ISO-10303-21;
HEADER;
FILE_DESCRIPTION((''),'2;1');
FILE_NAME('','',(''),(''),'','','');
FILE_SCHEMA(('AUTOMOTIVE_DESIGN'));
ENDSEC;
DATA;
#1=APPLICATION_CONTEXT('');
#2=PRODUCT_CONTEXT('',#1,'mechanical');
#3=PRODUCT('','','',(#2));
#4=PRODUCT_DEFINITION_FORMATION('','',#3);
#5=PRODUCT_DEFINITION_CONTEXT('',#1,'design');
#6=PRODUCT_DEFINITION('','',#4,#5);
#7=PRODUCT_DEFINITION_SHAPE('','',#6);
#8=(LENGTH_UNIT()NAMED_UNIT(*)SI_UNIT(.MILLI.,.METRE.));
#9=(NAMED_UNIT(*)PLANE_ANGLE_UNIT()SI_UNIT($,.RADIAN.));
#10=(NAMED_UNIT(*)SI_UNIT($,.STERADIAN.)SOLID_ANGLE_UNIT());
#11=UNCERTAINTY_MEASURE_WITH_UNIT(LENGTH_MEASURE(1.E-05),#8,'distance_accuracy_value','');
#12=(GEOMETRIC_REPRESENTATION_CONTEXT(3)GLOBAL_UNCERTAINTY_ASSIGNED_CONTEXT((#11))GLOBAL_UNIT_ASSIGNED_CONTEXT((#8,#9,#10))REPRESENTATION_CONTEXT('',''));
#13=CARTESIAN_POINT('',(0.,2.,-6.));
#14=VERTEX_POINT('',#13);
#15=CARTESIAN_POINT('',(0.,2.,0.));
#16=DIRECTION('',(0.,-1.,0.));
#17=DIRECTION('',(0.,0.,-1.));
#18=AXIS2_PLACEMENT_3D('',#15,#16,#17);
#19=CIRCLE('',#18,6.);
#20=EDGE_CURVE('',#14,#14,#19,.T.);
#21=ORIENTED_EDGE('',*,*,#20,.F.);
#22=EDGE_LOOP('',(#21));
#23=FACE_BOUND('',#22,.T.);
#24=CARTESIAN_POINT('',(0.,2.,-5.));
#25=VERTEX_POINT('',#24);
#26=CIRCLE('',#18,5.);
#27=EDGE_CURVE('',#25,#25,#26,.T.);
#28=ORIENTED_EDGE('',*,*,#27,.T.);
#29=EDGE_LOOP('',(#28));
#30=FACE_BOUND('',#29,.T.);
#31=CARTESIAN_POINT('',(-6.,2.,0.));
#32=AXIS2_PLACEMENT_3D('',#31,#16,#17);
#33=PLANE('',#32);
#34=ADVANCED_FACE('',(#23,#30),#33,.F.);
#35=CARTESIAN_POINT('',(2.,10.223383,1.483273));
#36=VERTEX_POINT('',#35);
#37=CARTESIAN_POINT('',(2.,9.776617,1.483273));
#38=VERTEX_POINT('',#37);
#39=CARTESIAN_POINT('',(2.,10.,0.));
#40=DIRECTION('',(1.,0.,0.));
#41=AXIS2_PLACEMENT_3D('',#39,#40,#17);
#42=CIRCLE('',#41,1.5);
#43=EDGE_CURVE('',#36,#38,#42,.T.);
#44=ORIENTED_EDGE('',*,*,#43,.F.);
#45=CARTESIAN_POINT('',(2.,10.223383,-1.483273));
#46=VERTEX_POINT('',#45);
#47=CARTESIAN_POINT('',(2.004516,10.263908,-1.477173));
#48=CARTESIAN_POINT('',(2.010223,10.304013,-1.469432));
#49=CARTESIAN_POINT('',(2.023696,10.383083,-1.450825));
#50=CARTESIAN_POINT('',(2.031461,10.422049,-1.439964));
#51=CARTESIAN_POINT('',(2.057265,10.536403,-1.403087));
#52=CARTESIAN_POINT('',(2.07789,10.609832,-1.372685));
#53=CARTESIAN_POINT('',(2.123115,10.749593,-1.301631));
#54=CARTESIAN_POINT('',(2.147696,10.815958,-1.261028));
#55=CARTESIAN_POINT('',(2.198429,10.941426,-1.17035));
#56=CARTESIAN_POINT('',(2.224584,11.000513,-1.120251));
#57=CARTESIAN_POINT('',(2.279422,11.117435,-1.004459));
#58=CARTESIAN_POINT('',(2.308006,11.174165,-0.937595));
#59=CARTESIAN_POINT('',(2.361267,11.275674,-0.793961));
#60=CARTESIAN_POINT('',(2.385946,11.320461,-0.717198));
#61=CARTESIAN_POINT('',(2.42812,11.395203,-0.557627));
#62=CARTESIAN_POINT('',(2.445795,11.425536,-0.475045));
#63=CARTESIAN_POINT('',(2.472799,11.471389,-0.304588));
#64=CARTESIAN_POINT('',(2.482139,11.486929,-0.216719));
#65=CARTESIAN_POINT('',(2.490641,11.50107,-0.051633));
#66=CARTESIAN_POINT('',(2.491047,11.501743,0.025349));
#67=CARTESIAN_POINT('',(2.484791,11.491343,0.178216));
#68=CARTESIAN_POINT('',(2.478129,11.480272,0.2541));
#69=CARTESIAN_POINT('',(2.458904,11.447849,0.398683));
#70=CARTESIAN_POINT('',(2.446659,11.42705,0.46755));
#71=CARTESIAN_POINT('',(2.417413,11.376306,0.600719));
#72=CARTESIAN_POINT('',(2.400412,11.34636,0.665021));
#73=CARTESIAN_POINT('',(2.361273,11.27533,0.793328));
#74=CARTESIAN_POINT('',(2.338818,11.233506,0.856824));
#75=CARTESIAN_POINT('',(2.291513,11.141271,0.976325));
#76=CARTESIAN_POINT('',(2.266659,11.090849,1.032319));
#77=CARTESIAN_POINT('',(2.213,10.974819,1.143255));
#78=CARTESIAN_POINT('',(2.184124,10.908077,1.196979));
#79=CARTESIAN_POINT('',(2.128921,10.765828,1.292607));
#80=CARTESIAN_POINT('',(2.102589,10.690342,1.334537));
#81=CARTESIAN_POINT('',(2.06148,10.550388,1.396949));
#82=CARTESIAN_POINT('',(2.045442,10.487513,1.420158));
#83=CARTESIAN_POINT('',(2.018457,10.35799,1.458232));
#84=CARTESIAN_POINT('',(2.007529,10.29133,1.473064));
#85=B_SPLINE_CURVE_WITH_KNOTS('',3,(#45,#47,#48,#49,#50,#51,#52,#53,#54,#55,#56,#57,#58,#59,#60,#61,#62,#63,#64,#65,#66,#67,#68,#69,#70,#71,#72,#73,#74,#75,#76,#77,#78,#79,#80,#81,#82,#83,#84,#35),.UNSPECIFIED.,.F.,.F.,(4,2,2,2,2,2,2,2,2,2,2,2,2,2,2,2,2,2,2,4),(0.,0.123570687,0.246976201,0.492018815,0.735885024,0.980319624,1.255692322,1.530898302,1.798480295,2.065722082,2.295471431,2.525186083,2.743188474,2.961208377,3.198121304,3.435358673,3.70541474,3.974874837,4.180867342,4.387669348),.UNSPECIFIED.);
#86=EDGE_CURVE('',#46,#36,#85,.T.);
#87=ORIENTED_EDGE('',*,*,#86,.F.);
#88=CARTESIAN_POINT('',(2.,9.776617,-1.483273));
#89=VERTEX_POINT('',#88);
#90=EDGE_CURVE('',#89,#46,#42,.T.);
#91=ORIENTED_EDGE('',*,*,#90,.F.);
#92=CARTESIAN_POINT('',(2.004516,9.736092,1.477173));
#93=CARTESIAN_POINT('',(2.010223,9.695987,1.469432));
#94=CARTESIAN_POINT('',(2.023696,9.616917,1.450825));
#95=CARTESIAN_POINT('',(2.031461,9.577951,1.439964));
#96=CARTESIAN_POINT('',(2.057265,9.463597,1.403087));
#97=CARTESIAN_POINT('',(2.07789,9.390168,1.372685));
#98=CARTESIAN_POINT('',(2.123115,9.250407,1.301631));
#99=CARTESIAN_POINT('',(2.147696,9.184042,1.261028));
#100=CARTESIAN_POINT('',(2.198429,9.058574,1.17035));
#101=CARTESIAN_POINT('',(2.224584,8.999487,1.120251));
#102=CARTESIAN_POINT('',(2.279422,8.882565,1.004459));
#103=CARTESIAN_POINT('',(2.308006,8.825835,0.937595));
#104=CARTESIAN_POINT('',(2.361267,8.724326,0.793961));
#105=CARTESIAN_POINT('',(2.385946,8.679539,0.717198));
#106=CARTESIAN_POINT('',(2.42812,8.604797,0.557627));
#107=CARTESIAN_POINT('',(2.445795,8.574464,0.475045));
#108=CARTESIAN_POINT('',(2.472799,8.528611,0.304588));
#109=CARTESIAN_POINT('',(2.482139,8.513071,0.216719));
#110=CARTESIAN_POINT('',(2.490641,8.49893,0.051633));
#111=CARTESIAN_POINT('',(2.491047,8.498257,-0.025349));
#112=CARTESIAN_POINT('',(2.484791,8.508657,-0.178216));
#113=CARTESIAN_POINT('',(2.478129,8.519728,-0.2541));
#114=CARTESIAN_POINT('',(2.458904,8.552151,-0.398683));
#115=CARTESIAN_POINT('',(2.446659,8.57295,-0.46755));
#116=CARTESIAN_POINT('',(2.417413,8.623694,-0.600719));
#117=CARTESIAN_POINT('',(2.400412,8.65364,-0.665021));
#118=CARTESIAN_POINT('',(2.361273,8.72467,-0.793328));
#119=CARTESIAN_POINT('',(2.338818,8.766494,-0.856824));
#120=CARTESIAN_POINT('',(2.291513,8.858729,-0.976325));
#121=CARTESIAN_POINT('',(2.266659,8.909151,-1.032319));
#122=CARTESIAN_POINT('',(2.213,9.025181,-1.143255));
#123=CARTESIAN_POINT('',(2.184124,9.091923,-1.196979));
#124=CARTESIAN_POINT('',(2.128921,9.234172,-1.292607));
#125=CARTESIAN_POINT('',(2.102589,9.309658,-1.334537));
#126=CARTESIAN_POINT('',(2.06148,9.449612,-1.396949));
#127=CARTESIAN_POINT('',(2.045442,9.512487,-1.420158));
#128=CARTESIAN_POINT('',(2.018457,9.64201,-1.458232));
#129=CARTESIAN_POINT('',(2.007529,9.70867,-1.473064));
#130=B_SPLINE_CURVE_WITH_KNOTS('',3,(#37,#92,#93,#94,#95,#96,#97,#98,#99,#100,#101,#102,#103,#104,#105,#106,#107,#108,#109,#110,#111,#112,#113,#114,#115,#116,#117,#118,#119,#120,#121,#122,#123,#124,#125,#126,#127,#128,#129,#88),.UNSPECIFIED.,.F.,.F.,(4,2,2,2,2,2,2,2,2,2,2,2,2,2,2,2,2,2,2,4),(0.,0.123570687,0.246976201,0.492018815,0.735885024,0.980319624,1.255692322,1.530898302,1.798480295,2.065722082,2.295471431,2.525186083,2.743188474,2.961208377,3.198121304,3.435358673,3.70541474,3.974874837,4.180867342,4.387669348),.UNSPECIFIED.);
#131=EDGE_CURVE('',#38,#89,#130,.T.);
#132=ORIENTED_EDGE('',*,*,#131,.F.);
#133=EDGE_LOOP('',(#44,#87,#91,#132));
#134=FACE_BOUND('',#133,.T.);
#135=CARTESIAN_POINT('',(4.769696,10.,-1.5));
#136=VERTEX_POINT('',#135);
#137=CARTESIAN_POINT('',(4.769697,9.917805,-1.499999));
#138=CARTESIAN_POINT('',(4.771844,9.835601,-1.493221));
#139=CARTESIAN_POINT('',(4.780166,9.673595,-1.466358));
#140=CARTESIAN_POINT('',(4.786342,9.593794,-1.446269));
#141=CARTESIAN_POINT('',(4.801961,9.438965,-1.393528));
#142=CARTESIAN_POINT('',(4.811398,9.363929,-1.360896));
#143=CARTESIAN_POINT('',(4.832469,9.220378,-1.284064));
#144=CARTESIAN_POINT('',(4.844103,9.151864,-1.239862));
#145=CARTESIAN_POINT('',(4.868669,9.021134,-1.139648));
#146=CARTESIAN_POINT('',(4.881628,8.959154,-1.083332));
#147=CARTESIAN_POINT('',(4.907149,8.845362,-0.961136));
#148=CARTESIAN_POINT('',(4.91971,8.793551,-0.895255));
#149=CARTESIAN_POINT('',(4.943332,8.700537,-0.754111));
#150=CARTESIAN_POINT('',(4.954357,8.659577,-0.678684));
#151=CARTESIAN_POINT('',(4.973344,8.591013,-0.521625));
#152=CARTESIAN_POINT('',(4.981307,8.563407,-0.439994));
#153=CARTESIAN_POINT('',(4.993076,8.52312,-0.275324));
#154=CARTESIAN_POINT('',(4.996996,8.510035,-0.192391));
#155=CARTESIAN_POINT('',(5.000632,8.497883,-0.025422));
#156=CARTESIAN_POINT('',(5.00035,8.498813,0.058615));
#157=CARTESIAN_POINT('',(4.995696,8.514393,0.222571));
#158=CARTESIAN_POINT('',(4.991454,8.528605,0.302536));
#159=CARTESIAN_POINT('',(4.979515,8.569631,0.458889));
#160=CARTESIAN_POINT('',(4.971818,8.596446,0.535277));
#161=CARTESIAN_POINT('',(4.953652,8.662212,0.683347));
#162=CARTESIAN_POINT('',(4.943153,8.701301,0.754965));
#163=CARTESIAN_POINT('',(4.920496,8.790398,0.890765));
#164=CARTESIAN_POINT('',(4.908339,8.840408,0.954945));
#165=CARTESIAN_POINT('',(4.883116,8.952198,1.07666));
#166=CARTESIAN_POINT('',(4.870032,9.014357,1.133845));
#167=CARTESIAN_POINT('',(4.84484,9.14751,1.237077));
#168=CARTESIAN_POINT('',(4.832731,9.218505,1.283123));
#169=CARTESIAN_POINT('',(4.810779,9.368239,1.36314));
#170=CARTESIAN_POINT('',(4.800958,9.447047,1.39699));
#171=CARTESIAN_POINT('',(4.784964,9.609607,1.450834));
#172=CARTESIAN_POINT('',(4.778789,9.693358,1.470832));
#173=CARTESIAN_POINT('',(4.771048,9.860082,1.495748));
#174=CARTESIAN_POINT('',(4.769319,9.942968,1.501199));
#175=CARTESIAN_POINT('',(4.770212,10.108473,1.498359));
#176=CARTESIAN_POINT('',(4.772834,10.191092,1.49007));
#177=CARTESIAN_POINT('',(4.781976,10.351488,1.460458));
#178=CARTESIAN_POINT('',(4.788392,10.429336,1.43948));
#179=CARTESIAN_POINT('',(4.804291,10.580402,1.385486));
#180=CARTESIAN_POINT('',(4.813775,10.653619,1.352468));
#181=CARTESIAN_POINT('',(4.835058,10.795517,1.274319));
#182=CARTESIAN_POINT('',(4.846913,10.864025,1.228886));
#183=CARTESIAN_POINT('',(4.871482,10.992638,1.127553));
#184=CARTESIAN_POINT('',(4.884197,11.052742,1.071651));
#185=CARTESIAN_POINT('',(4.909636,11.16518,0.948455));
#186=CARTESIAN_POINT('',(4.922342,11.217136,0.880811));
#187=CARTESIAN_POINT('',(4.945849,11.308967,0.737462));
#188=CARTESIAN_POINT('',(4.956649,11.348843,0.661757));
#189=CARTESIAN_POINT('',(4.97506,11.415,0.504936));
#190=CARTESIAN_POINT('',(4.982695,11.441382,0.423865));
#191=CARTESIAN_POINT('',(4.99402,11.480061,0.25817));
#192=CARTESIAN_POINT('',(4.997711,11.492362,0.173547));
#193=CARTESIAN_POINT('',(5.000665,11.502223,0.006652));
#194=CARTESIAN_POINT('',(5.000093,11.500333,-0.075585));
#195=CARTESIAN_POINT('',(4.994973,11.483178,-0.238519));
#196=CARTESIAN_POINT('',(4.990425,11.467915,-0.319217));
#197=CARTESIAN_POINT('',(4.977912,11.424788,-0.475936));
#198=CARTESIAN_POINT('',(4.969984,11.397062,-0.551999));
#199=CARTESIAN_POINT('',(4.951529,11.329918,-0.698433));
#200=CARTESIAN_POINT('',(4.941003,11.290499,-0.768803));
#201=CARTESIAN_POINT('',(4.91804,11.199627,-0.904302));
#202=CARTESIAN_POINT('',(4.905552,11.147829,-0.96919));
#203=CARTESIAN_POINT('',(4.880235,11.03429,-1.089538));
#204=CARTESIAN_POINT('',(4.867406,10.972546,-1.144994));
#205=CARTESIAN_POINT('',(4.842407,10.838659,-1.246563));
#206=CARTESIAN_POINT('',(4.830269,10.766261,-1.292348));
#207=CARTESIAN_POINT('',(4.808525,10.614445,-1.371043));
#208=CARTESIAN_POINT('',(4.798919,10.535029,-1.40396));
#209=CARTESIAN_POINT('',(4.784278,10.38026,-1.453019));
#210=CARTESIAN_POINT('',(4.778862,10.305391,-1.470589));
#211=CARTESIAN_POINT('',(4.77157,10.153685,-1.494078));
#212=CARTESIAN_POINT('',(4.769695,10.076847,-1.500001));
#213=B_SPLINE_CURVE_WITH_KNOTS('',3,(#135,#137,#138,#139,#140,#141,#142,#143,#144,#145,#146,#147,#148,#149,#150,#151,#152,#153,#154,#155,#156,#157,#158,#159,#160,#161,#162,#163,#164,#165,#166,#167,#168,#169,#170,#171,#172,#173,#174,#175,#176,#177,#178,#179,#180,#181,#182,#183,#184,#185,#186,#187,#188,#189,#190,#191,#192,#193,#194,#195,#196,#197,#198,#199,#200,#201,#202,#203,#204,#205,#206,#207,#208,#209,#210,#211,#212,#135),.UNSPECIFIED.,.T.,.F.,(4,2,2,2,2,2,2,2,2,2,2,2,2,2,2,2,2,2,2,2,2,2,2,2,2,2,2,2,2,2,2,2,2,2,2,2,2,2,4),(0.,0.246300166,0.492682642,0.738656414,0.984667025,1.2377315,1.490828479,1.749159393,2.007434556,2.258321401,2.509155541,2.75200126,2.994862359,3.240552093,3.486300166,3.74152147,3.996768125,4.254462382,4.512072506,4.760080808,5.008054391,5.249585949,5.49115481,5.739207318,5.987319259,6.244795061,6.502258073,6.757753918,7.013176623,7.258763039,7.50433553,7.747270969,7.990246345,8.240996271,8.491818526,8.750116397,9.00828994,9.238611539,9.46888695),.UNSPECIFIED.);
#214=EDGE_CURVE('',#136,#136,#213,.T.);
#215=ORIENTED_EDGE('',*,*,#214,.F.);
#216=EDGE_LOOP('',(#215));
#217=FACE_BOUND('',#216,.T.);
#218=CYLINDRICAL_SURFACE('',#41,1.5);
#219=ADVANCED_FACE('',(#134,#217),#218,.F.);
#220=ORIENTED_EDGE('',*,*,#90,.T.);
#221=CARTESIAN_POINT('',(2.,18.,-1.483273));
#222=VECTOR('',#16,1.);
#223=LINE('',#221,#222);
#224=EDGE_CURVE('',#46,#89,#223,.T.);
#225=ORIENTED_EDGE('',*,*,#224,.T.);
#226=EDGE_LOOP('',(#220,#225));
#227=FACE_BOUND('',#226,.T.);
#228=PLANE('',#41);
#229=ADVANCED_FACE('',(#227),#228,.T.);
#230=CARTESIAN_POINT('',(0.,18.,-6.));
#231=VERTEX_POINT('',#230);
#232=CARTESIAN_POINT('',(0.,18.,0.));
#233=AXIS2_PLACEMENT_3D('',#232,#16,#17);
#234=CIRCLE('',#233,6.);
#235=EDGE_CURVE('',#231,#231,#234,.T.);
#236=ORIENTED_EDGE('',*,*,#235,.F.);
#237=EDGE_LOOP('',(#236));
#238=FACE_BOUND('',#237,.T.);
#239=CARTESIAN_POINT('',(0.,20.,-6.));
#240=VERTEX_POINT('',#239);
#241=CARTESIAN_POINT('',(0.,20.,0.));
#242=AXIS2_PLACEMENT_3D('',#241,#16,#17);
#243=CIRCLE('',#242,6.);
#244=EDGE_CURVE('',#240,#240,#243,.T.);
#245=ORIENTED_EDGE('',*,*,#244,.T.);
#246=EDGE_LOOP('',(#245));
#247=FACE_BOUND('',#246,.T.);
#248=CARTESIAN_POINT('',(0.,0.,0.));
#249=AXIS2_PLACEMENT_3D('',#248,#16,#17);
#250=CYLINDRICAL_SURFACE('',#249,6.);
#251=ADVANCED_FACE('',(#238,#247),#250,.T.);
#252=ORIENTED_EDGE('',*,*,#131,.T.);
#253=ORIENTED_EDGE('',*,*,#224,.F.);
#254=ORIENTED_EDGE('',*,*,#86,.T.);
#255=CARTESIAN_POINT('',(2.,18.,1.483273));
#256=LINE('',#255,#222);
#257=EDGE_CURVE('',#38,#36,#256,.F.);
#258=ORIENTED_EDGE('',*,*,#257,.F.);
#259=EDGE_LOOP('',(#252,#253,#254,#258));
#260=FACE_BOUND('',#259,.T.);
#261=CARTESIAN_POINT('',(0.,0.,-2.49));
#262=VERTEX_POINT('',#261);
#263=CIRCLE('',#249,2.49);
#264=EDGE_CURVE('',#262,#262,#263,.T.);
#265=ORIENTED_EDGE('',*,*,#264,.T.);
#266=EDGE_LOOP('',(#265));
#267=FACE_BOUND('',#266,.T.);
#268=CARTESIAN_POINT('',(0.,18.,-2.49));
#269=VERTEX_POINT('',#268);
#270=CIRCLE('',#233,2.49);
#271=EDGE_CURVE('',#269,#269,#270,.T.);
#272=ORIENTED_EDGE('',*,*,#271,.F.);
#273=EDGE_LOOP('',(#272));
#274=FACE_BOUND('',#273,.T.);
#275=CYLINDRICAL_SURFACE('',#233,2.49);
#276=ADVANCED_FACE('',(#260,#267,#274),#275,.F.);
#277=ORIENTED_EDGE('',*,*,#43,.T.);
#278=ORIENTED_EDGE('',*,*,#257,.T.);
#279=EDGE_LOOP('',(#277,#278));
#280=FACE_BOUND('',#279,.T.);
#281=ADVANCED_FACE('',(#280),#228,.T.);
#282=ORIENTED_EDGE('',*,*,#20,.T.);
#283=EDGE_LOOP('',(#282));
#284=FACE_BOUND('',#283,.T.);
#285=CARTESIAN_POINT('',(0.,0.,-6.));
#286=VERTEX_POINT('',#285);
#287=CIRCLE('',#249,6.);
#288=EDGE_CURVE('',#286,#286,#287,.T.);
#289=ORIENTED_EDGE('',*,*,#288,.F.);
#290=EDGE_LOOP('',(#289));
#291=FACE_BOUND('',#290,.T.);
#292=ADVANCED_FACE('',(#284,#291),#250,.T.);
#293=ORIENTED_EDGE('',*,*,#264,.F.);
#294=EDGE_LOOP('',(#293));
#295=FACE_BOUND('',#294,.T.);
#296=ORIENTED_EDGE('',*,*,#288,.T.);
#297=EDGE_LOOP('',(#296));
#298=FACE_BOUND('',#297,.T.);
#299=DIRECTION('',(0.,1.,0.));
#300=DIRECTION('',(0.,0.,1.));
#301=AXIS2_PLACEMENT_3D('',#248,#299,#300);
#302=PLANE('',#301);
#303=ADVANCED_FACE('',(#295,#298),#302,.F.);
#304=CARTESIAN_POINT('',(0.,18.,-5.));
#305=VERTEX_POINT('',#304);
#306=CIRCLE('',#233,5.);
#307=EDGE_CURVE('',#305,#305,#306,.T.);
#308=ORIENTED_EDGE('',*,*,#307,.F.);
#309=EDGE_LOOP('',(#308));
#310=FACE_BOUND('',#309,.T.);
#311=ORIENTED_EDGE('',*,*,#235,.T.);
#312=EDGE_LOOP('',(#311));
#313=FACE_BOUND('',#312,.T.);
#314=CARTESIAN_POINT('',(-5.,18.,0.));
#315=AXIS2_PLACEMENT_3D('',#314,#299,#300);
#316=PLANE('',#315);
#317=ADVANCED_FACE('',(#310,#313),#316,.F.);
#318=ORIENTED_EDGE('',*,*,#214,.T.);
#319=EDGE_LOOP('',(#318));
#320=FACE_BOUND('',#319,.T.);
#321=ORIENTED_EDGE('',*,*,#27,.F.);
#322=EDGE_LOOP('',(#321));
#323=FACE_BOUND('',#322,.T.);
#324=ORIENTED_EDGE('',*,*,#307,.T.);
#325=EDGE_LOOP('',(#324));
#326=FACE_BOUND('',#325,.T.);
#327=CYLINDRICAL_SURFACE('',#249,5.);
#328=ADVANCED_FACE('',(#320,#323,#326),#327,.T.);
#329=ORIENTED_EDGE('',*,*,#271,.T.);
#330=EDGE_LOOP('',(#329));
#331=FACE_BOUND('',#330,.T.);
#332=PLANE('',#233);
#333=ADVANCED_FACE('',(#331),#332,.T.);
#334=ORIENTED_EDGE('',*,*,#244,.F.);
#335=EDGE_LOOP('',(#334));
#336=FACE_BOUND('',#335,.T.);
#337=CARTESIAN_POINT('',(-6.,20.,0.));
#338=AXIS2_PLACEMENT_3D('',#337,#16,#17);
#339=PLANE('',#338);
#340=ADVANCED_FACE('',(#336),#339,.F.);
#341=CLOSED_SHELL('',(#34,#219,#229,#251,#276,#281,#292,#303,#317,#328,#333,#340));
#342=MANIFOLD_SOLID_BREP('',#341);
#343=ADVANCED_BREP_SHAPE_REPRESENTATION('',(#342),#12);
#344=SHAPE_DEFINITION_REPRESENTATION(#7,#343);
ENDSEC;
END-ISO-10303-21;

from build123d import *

# Parameters (mm, degrees)
CROQUIS3_R            = 2.49
CORTAR_EXTRUIR1_DEPTH = 18
CROQUIS4_R            = 1.5
CORTAR_EXTRUIR2_DEPTH = 3


with BuildPart() as part:
    # Croquis2 → Revolución1 (revolve)
    with BuildSketch(Plane.XY, mode=Mode.PRIVATE) as revoluci_n1_sk:
        Polygon((0, 0), (-6, 0), (-6, 2), (-5, 2), (-5, 18), (-6, 18), (-6, 20), (0, 20), align=None)
    revolve(revoluci_n1_sk.sketch.rotate(Axis((0, 0, 0), (0, 1, 0)), 270), axis=Axis((0, 0, 0), (0, 1, 0)))

    # Croquis3 → Cortar-Extruir1 (cut)
    with BuildSketch(Plane.XZ):
        with Locations(Location((0, 0, 0), (0, 0, 270))):
            Circle(CROQUIS3_R)
    extrude(amount=-CORTAR_EXTRUIR1_DEPTH, mode=Mode.SUBTRACT)

    # Croquis4 → Cortar-Extruir2 (cut)
    with BuildSketch(Plane(origin=(5, 0, 0), x_dir=(0, 0, -1), z_dir=(1, 0, 0))):
        with Locations((0, 10)):
            Circle(CROQUIS4_R)
    extrude(amount=-CORTAR_EXTRUIR2_DEPTH, mode=Mode.SUBTRACT)


solid = part.part
